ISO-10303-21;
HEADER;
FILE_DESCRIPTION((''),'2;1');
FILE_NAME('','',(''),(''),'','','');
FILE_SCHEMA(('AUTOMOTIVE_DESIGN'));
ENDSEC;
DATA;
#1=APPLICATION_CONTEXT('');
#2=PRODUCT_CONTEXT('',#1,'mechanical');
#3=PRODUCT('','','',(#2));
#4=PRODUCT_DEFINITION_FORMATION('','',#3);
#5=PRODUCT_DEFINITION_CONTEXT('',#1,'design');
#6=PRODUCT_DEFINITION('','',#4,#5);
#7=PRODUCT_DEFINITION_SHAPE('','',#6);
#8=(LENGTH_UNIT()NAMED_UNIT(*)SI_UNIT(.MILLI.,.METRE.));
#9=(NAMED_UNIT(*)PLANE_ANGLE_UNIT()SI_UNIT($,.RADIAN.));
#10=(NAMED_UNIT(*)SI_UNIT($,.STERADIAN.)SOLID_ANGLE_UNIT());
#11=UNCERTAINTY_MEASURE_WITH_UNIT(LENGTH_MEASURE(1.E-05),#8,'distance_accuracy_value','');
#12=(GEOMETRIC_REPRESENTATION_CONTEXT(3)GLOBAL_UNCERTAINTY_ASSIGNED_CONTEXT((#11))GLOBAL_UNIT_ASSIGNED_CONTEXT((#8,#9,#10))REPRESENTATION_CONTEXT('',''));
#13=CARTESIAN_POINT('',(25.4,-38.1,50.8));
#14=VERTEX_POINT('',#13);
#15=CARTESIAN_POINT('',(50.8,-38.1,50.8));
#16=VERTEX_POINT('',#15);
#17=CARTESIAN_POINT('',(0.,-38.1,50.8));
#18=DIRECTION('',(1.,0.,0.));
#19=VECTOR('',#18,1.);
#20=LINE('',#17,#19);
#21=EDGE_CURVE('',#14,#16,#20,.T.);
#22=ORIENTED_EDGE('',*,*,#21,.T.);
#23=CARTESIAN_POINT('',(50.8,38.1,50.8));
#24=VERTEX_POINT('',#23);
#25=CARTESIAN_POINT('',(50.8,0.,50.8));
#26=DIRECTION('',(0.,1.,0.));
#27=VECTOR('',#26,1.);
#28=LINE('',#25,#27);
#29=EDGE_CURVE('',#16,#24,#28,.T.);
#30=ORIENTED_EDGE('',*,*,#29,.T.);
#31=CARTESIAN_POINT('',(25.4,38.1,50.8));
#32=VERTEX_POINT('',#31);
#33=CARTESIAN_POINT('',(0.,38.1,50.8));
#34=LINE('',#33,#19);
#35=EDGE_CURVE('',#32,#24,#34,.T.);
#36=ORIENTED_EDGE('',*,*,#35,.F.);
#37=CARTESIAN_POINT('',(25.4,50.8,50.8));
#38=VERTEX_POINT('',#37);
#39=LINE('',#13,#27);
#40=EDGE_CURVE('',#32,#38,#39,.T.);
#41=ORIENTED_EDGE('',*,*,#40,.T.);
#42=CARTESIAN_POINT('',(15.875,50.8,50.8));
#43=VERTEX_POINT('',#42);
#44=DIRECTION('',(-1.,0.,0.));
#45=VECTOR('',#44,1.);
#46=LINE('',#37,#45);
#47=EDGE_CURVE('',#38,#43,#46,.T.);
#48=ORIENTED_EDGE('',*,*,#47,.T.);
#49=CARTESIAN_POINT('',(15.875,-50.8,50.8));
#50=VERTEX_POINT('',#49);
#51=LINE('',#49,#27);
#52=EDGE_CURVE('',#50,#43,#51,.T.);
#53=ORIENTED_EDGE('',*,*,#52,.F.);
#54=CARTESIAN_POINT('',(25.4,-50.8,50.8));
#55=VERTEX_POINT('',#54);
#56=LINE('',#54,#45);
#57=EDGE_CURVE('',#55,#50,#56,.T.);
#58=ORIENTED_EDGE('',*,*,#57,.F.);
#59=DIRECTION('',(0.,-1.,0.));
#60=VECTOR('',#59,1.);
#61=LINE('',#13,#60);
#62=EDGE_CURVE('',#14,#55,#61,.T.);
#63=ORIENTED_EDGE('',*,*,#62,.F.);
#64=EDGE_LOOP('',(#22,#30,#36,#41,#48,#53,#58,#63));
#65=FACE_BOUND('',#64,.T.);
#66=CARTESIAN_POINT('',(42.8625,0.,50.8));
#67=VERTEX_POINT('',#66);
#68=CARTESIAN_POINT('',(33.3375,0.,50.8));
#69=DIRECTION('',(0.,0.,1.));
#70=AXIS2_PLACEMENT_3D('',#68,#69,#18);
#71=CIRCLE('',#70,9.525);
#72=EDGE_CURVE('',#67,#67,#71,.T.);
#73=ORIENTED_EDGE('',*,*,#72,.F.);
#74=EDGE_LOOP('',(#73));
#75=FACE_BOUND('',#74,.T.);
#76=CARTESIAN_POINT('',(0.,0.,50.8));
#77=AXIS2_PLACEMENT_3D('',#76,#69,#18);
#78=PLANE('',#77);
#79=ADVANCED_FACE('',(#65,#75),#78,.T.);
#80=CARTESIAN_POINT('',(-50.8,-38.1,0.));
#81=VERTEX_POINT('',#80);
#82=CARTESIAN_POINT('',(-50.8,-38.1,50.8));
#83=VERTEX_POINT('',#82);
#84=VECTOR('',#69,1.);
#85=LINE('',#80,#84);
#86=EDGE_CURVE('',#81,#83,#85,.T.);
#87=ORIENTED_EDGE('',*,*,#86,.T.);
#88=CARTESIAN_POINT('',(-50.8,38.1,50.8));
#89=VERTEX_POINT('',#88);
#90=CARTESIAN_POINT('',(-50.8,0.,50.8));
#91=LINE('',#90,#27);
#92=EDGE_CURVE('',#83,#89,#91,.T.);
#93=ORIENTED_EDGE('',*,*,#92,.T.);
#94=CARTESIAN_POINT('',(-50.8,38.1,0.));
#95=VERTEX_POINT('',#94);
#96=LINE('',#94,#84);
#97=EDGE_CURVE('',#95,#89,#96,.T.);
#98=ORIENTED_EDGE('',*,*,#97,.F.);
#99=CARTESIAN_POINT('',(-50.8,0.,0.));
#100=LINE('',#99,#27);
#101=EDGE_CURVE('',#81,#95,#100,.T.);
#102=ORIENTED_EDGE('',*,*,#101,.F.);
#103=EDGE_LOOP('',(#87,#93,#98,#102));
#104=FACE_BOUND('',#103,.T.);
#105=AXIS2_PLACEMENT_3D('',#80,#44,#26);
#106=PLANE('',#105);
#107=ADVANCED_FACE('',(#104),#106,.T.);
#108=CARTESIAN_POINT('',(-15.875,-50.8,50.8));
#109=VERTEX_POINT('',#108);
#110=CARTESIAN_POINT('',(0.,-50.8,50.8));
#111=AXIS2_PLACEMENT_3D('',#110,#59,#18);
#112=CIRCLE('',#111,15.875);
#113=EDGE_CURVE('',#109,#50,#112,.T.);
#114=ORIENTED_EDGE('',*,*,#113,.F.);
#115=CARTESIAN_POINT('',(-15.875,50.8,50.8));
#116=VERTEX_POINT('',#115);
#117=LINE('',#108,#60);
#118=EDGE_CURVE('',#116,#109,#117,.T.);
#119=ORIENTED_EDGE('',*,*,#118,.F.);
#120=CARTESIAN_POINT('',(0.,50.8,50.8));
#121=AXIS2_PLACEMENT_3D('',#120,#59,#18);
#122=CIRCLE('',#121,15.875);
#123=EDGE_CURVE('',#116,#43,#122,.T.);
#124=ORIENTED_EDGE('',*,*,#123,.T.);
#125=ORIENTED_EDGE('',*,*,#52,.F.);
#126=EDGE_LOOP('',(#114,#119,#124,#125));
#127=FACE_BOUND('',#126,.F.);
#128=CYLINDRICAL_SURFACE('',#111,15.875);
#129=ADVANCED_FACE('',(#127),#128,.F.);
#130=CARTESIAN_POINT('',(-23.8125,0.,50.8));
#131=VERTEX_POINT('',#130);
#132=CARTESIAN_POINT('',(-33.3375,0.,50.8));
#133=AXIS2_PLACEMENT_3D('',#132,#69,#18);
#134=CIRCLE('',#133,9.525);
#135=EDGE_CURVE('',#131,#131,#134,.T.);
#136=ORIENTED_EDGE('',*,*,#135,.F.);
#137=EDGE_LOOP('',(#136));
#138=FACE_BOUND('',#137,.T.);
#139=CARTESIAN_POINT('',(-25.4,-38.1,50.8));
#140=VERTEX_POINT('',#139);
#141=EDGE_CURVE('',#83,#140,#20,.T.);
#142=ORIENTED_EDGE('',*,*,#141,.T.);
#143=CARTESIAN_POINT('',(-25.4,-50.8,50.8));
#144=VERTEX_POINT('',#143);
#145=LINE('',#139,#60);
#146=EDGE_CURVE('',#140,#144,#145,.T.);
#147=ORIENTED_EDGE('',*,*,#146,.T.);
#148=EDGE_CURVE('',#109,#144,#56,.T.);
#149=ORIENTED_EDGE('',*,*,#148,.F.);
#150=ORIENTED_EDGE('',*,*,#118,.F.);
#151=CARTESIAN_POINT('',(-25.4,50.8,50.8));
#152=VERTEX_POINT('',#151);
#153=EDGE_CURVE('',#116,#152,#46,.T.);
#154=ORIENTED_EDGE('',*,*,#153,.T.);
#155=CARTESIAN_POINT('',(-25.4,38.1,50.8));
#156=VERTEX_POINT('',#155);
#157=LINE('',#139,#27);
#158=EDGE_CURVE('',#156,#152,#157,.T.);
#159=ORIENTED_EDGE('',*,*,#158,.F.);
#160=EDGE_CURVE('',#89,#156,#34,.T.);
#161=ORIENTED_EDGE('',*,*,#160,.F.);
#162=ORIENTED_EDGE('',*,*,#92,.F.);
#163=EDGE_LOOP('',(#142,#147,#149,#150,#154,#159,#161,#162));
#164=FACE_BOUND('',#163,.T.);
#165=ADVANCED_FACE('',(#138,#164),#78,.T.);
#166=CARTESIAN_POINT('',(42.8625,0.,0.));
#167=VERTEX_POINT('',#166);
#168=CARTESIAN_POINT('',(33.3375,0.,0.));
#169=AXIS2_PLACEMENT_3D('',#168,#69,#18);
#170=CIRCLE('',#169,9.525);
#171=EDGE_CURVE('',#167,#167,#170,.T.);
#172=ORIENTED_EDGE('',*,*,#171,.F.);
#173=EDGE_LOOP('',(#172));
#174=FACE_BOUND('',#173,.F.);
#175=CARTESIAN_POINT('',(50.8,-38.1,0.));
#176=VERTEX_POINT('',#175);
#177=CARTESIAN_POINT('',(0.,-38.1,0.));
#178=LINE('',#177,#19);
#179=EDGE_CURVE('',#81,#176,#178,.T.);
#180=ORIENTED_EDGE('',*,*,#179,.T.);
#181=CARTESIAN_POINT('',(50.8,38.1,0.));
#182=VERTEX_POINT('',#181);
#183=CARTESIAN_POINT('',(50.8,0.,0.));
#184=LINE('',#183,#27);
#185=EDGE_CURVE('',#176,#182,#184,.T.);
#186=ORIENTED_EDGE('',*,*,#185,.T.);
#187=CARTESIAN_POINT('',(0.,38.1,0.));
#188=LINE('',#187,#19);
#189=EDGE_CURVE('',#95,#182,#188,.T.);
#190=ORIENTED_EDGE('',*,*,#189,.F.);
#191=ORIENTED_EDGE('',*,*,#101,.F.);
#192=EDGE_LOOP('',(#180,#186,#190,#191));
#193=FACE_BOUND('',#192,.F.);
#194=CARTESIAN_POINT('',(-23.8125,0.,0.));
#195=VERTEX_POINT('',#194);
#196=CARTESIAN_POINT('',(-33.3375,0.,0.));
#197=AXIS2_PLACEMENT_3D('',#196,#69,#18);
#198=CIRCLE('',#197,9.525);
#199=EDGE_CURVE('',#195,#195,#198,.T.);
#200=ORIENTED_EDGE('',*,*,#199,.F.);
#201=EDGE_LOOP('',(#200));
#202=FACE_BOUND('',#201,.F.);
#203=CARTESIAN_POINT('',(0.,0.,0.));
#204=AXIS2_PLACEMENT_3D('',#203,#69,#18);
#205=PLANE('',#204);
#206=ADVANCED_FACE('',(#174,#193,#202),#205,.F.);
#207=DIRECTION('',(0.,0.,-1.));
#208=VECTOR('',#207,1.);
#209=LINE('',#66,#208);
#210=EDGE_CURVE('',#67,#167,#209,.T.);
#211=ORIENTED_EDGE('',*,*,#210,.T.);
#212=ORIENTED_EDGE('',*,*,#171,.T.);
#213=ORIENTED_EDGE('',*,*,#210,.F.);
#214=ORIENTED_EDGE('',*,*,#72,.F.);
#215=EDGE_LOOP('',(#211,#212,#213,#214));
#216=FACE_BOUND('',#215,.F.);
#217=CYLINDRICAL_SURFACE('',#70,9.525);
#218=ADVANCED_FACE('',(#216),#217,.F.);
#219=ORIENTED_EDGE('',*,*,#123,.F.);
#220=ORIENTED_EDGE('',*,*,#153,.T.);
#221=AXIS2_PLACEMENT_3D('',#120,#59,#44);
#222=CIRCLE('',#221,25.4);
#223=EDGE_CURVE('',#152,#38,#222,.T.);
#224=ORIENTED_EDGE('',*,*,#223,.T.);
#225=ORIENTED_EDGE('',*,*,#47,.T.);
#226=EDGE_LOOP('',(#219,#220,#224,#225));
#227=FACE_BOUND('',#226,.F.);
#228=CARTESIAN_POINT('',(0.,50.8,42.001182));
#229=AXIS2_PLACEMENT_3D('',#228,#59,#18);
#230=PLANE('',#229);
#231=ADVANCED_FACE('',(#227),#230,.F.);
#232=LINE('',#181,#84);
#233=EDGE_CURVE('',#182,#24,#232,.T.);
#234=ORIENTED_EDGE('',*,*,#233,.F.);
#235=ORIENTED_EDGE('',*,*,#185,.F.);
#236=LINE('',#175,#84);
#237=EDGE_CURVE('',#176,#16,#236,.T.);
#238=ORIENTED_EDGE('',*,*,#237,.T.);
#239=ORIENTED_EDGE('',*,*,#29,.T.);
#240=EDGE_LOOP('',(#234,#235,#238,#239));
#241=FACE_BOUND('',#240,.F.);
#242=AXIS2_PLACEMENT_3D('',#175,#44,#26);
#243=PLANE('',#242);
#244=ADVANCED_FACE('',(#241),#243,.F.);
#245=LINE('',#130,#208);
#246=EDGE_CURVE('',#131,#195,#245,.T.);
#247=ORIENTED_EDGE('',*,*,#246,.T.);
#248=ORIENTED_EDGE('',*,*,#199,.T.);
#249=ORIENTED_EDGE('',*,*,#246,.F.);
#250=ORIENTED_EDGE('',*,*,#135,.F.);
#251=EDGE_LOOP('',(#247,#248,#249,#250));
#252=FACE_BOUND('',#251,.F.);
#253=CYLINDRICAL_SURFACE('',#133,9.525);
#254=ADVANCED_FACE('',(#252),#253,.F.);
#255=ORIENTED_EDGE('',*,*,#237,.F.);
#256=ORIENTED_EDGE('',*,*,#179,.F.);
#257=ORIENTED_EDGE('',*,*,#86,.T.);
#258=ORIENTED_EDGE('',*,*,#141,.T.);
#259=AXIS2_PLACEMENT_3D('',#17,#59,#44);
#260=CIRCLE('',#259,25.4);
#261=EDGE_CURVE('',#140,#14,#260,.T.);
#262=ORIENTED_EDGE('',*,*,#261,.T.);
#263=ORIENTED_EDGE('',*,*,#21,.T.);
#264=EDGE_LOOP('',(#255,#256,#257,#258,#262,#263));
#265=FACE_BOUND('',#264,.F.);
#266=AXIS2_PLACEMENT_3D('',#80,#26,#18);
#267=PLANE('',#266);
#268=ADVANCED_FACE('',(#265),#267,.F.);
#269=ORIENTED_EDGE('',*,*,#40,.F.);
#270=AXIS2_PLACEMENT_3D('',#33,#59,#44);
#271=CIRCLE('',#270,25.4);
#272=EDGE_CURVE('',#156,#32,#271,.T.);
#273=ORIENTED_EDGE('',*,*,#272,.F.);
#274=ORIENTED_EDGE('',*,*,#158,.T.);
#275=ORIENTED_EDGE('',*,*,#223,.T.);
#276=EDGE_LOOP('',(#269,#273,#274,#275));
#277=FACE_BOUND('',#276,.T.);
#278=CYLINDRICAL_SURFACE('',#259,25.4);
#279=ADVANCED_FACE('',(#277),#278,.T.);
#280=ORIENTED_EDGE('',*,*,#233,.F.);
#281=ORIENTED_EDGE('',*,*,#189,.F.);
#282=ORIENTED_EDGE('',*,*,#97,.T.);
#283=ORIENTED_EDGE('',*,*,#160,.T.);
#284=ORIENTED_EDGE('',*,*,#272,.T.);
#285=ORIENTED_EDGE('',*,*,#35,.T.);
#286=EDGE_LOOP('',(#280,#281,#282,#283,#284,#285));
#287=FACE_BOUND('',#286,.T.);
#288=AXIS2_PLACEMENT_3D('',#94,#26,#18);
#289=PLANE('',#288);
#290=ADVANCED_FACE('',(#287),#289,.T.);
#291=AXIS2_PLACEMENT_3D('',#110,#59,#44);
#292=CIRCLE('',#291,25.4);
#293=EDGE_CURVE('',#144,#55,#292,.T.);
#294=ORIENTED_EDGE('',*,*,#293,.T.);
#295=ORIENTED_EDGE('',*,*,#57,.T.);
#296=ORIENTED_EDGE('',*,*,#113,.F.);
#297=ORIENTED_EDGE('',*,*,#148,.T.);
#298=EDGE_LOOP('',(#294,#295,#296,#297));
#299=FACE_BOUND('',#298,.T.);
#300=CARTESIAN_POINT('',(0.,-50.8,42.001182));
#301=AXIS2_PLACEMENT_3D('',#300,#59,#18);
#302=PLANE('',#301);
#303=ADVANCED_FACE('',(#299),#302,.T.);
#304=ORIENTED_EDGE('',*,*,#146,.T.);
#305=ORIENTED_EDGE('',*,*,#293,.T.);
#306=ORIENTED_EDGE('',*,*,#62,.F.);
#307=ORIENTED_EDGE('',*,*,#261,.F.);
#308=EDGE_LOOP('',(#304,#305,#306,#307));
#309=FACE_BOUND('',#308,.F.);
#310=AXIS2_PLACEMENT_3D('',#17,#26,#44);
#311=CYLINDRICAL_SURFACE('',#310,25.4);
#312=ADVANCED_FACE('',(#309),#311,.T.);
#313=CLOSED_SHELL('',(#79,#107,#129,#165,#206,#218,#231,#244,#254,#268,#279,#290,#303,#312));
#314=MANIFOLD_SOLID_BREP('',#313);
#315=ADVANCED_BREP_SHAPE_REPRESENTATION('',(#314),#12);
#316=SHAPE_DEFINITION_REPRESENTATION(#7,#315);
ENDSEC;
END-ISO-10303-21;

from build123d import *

# Parameters (mm, degrees)
F0_W          = 101.6
F0_H          = 76.2
F1_DEPTH      = 50.8
F3_DEPTH      = 12.7
F3_DEPTH_BACK = 88.9
F4_R          = 15.875
F5_DEPTH      = 122.936
F6_R          = 9.525
F7_DEPTH      = 135.636
F8_R          = 9.525
F9_DEPTH      = 98.298


with BuildPart() as f1:
    # F0 (on Top) → F1 (new body)
    with BuildSketch(Plane.XY):
        Rectangle(F0_W, F0_H)
    extrude(amount=F1_DEPTH)

    # F2 (on face) → F3 (join, two sides)
    with BuildSketch(Plane.XZ.offset(38.1)) as f3_sk:
        with BuildLine():
            Line((25.4, 50.8), (-25.4, 50.8))
            ThreePointArc((-25.4, 50.8), (0, 25.4), (25.4, 50.8))
        make_face()
    extrude(amount=F3_DEPTH)
    extrude(f3_sk.sketch, amount=-F3_DEPTH_BACK)

    # F4 (on face) → F5 (cut)
    with BuildSketch(Plane.XZ.offset(50.8)):
        with Locations((0, 50.8)):
            Circle(F4_R)
    extrude(amount=-F5_DEPTH, mode=Mode.SUBTRACT)

    # F6 (on face) → F7 (cut)
    with BuildSketch(Plane.XY.offset(50.8)):
        with Locations((-33.3375, 0)):
            Circle(F6_R)
    extrude(amount=-F7_DEPTH, mode=Mode.SUBTRACT)

    # F8 (on face) → F9 (cut)
    with BuildSketch(Plane.XY.offset(50.8)):
        with Locations((33.3375, 0)):
            Circle(F8_R)
    extrude(amount=-F9_DEPTH, mode=Mode.SUBTRACT)


solid = f1.part
